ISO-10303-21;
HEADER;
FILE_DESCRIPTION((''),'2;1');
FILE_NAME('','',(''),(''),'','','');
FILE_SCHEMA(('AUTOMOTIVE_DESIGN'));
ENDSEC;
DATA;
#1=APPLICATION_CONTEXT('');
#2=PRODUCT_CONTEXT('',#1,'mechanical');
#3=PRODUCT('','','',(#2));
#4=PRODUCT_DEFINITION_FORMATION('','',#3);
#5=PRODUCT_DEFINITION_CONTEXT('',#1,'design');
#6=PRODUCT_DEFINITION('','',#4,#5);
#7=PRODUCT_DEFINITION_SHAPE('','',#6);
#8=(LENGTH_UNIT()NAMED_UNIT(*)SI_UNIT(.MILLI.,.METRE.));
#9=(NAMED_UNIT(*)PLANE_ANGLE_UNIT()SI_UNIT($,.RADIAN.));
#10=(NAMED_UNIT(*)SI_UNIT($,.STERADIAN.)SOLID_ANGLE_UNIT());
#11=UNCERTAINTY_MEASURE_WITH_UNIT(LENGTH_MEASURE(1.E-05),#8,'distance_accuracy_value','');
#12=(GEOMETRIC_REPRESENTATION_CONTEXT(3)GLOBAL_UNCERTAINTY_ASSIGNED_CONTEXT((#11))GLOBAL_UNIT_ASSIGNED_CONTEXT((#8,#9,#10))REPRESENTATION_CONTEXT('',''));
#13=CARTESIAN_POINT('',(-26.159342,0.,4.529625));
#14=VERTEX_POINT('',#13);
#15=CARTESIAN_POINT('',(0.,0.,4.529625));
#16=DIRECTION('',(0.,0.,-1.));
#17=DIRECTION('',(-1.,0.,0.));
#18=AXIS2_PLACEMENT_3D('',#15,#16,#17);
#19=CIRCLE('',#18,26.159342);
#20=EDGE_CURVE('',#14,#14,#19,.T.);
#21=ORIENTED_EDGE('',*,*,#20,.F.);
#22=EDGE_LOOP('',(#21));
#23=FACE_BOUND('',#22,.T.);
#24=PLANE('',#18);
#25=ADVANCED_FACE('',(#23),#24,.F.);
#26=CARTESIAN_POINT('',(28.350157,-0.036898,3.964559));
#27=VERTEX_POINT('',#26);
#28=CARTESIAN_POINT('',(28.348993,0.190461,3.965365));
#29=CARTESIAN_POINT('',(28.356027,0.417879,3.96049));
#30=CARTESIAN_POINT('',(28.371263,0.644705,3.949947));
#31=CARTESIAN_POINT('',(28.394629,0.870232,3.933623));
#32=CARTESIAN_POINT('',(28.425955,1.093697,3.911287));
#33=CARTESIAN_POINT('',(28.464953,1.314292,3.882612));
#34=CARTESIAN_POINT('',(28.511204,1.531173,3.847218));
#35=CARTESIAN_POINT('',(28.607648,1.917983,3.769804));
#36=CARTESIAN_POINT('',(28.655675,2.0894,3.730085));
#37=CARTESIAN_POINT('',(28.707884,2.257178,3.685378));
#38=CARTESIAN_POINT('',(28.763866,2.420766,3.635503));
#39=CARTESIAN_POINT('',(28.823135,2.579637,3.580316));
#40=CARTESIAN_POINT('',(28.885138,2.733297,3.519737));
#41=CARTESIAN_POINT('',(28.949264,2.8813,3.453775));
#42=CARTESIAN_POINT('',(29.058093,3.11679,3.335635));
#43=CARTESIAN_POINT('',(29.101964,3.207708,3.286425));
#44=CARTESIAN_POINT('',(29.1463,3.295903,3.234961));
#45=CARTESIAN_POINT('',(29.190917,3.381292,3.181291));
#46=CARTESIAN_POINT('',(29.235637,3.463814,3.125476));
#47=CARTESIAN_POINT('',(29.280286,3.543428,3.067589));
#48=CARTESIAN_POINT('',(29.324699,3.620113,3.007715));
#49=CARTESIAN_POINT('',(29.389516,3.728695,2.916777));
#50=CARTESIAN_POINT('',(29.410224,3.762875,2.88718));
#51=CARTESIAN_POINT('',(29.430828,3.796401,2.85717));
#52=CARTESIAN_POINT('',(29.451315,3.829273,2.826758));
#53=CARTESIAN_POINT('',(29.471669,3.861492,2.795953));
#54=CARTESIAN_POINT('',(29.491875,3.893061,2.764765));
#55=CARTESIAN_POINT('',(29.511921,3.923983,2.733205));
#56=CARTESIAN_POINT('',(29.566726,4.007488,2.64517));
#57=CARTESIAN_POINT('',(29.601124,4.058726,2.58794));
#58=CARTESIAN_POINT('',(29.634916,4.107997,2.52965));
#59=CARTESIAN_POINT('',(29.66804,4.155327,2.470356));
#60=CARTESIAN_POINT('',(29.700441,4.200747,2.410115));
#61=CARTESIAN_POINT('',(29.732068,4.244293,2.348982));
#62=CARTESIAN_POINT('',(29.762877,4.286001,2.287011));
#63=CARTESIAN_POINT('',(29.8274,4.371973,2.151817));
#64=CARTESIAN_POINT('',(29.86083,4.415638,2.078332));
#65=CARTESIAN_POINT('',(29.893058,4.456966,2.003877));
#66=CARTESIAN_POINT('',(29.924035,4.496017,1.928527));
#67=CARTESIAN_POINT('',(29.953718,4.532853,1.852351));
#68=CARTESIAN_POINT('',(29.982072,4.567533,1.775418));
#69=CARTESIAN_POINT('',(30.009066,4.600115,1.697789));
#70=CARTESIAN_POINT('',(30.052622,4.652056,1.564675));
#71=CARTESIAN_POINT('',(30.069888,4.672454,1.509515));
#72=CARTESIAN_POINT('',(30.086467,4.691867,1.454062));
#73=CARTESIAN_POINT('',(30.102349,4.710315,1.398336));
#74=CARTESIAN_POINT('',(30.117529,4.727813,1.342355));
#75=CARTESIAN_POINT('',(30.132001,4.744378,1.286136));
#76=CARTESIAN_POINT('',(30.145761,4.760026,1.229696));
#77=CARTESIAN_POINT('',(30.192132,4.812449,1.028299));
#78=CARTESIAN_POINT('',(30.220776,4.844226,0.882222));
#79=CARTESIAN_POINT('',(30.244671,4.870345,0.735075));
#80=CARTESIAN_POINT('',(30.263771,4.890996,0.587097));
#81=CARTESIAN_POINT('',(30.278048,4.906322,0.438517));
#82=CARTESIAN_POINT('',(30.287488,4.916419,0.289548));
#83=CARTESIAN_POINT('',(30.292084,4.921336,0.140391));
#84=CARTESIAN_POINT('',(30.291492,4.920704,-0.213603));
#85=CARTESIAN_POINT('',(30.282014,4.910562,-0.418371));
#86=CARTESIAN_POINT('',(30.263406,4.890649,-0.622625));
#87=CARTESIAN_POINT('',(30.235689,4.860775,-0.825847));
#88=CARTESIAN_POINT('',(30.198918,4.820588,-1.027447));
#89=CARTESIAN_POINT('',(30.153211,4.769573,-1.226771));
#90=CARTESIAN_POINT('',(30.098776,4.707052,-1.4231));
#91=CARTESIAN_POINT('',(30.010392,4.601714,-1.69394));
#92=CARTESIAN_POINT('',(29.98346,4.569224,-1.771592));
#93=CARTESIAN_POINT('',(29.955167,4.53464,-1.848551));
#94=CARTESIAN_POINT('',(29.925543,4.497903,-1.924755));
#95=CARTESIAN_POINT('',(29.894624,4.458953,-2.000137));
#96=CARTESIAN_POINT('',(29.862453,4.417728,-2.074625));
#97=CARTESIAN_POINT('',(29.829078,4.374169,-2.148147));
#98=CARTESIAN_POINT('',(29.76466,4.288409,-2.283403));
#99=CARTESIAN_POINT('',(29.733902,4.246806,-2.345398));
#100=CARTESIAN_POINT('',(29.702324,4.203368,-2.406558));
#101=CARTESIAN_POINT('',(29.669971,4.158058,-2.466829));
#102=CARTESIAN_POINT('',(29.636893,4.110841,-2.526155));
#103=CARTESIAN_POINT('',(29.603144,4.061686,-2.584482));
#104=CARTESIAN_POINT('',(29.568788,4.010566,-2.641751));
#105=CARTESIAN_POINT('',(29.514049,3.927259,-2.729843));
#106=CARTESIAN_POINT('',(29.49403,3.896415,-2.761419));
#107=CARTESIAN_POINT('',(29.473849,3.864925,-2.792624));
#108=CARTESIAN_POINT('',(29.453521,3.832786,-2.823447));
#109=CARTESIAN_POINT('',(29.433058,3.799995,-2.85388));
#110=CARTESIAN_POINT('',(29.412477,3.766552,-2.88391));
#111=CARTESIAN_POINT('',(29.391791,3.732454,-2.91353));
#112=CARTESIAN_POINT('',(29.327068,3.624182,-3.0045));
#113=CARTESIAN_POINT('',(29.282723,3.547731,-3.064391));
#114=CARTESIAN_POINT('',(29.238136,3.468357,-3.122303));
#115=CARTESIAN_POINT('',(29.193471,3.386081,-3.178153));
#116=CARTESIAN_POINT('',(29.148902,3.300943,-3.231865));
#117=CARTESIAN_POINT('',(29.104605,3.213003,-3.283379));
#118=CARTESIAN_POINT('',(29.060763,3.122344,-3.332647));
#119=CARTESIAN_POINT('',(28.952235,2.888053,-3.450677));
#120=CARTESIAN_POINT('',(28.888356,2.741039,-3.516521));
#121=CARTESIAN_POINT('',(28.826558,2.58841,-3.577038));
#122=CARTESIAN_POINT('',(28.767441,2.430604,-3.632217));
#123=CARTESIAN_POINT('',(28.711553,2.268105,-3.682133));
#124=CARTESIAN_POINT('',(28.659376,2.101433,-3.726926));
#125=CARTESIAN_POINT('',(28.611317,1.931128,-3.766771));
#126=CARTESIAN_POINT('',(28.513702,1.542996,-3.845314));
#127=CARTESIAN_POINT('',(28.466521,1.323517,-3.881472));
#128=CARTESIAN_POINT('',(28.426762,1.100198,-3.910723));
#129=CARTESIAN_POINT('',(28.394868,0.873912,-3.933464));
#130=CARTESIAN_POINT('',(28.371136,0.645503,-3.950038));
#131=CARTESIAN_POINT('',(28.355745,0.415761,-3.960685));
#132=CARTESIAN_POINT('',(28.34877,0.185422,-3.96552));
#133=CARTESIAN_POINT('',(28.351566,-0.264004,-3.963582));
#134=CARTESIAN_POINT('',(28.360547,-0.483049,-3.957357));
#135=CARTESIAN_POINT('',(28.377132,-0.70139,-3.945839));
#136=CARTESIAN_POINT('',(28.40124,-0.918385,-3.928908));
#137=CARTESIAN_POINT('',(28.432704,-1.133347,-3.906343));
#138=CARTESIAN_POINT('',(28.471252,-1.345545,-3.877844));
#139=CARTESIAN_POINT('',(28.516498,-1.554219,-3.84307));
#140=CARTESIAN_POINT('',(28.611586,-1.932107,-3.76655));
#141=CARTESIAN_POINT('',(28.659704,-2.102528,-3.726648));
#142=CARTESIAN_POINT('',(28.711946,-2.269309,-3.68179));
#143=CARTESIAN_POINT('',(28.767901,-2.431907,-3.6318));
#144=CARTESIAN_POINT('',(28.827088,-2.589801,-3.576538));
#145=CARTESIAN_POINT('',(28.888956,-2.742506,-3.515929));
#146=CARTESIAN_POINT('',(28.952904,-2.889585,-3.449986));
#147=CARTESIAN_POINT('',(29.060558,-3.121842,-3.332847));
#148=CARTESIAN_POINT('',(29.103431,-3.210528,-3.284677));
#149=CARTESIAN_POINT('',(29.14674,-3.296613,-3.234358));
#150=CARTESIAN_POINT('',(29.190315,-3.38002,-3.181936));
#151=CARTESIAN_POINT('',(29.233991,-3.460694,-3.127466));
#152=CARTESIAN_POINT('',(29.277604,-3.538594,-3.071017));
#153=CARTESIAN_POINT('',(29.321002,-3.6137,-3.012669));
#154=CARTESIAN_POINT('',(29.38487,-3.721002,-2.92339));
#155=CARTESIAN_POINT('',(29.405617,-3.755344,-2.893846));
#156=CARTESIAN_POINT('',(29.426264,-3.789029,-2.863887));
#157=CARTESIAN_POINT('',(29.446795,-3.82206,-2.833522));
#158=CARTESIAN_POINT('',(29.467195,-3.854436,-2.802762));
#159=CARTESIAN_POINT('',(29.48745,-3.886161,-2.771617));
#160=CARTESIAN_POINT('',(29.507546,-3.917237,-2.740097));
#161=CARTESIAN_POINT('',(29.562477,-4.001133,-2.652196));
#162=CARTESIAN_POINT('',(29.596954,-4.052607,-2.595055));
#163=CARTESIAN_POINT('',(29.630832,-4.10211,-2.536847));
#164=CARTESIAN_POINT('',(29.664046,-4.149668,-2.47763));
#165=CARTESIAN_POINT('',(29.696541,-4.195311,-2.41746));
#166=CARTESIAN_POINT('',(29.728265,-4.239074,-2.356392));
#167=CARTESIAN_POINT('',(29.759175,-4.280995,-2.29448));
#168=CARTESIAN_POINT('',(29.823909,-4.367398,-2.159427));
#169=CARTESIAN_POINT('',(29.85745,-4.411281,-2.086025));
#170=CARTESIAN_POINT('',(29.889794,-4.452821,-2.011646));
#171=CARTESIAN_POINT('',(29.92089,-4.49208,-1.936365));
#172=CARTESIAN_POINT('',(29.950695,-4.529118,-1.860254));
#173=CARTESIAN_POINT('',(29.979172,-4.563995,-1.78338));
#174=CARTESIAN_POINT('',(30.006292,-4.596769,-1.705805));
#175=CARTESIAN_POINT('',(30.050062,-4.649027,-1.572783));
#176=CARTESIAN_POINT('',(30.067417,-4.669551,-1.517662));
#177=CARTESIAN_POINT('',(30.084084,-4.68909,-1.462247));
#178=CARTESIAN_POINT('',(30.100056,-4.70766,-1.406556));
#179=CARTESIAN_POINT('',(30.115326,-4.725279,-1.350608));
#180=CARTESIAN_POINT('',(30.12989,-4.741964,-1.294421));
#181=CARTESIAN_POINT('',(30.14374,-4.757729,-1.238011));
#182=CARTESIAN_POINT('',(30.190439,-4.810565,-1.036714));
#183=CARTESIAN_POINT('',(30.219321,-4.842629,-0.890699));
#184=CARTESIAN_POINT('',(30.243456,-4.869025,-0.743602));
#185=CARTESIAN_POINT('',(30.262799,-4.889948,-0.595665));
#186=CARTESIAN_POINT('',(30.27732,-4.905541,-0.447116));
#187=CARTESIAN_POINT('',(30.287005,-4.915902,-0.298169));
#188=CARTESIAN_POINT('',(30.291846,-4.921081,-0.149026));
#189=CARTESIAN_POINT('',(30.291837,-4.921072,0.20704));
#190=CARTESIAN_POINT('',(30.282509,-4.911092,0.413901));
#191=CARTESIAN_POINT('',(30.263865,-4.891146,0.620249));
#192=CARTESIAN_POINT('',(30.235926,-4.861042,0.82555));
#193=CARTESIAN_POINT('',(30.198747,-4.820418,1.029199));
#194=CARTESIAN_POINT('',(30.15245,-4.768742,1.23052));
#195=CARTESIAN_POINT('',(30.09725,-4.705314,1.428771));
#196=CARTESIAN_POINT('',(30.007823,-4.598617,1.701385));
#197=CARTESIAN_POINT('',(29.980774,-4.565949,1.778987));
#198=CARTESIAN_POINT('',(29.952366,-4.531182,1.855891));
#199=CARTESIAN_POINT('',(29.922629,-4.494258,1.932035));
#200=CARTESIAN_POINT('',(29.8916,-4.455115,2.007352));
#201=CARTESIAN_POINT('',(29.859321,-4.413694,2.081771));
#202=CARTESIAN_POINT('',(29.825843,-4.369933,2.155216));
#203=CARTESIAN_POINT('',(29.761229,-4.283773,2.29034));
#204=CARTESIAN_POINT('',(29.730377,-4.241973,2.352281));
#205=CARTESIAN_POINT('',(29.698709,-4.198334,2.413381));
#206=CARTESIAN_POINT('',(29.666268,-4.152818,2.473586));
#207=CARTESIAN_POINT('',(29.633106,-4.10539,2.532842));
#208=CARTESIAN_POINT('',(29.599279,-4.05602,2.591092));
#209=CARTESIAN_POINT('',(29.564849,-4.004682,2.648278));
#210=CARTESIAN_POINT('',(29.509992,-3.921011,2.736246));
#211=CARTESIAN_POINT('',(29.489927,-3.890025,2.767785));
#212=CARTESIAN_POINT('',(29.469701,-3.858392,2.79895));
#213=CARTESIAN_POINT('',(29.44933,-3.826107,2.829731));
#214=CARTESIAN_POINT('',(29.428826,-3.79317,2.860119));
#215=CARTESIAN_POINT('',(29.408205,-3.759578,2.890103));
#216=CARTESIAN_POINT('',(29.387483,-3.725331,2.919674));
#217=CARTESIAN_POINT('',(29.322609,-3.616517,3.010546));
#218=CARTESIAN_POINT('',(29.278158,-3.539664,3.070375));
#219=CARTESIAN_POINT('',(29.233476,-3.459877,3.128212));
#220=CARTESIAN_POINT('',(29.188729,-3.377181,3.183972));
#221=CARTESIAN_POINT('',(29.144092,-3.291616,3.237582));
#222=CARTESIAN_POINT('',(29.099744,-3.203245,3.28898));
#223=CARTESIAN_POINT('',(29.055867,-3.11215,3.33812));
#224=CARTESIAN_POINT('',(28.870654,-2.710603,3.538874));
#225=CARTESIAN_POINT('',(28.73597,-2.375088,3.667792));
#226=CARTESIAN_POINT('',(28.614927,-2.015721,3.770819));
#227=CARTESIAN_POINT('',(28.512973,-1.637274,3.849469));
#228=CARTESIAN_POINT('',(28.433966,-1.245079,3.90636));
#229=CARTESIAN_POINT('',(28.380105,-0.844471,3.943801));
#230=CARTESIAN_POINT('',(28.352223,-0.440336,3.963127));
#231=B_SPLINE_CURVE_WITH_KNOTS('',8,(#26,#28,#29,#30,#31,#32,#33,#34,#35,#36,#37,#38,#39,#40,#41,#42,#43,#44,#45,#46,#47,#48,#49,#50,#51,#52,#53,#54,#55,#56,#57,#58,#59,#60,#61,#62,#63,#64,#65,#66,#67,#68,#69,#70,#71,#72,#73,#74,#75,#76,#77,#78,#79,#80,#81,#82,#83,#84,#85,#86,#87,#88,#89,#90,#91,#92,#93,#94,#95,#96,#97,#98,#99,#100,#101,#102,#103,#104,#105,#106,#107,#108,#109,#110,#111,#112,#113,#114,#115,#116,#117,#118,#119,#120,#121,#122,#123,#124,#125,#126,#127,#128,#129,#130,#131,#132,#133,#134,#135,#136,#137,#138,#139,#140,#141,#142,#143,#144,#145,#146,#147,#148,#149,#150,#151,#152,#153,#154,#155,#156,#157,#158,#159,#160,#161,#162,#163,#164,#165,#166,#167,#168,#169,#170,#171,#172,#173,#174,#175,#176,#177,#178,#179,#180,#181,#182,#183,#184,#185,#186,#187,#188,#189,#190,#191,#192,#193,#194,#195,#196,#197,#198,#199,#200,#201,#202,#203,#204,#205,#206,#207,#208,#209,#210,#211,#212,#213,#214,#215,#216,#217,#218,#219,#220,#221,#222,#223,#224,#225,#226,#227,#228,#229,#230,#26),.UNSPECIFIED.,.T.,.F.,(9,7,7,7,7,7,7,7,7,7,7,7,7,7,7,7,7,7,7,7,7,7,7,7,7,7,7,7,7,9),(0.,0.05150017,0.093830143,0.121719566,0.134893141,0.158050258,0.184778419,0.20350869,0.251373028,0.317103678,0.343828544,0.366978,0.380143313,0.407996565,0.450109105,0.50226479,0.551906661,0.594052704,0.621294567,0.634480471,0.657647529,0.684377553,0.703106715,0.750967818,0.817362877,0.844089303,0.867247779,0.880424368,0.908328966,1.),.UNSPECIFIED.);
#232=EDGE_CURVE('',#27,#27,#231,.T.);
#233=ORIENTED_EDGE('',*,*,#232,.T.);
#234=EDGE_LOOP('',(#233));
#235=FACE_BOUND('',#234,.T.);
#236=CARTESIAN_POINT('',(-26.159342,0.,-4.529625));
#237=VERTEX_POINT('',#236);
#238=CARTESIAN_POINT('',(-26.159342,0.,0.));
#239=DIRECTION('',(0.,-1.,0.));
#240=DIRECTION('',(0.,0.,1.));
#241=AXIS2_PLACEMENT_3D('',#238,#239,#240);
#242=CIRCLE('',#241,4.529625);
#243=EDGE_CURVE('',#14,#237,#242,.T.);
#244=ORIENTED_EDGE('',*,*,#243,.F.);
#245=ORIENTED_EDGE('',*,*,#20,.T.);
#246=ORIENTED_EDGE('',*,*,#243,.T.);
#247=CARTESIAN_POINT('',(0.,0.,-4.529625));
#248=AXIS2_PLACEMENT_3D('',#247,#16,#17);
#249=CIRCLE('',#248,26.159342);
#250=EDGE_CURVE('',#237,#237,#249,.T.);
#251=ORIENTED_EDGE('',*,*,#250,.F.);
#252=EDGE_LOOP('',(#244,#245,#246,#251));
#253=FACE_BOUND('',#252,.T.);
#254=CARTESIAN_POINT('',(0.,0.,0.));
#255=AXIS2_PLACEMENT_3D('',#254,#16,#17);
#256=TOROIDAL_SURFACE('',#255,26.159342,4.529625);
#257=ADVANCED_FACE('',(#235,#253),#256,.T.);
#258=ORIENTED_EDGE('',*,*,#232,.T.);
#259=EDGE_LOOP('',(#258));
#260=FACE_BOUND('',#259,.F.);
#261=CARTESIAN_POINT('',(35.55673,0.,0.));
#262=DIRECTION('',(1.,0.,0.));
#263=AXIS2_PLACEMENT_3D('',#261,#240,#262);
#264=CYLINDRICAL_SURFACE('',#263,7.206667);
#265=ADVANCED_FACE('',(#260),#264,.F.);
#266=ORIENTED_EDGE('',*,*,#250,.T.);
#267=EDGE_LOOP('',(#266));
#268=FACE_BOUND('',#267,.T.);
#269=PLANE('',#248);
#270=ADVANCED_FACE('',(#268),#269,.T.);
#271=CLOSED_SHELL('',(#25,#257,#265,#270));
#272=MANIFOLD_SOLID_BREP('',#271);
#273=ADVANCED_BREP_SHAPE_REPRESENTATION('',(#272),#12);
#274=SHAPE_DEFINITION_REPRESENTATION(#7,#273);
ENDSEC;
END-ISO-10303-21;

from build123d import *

# Parameters (mm, degrees)
F2_R     = 7.206667
F3_DEPTH = 12.7


with BuildPart() as f1:
    # F0 (on Front) → F1 (revolve)
    with BuildSketch(Plane.XZ):
        with BuildLine():
            ThreePointArc((-26.159342, -4.529625), (-22.956414, -3.202928), (-21.629718, 0))
            ThreePointArc((-21.629718, 0), (-22.956414, 3.202928), (-26.159342, 4.529625))
            Line((-26.159342, 4.529625), (-26.159342, -4.529625))
        make_face()
        with BuildLine():
            Line((-26.159342, -4.529625), (-26.159342, 4.529625))
            ThreePointArc((-26.159342, 4.529625), (-30.688967, 0), (-26.159342, -4.529625))
        make_face()
        with BuildLine():
            ThreePointArc((-26.159342, 4.529625), (-22.956414, 3.202928), (-21.629718, 0))
            ThreePointArc((-21.629718, 0), (-22.956414, -3.202928), (-26.159342, -4.529625))
            Line((-26.159342, -4.529625), (0, -4.529625))
            Line((0, -4.529625), (0, 4.529625))
            Line((0, 4.529625), (-26.159342, 4.529625))
        make_face()
    revolve(axis=Axis((0, 0, 0), (0, 0, -1)))

    # F2 (on Top) → F3 (cut, symmetric)
    with BuildSketch(Plane.XY):
        with Locations((35.55673, 0)):
            Circle(F2_R)
    extrude(amount=F3_DEPTH, both=True, mode=Mode.SUBTRACT)


solid = f1.part
